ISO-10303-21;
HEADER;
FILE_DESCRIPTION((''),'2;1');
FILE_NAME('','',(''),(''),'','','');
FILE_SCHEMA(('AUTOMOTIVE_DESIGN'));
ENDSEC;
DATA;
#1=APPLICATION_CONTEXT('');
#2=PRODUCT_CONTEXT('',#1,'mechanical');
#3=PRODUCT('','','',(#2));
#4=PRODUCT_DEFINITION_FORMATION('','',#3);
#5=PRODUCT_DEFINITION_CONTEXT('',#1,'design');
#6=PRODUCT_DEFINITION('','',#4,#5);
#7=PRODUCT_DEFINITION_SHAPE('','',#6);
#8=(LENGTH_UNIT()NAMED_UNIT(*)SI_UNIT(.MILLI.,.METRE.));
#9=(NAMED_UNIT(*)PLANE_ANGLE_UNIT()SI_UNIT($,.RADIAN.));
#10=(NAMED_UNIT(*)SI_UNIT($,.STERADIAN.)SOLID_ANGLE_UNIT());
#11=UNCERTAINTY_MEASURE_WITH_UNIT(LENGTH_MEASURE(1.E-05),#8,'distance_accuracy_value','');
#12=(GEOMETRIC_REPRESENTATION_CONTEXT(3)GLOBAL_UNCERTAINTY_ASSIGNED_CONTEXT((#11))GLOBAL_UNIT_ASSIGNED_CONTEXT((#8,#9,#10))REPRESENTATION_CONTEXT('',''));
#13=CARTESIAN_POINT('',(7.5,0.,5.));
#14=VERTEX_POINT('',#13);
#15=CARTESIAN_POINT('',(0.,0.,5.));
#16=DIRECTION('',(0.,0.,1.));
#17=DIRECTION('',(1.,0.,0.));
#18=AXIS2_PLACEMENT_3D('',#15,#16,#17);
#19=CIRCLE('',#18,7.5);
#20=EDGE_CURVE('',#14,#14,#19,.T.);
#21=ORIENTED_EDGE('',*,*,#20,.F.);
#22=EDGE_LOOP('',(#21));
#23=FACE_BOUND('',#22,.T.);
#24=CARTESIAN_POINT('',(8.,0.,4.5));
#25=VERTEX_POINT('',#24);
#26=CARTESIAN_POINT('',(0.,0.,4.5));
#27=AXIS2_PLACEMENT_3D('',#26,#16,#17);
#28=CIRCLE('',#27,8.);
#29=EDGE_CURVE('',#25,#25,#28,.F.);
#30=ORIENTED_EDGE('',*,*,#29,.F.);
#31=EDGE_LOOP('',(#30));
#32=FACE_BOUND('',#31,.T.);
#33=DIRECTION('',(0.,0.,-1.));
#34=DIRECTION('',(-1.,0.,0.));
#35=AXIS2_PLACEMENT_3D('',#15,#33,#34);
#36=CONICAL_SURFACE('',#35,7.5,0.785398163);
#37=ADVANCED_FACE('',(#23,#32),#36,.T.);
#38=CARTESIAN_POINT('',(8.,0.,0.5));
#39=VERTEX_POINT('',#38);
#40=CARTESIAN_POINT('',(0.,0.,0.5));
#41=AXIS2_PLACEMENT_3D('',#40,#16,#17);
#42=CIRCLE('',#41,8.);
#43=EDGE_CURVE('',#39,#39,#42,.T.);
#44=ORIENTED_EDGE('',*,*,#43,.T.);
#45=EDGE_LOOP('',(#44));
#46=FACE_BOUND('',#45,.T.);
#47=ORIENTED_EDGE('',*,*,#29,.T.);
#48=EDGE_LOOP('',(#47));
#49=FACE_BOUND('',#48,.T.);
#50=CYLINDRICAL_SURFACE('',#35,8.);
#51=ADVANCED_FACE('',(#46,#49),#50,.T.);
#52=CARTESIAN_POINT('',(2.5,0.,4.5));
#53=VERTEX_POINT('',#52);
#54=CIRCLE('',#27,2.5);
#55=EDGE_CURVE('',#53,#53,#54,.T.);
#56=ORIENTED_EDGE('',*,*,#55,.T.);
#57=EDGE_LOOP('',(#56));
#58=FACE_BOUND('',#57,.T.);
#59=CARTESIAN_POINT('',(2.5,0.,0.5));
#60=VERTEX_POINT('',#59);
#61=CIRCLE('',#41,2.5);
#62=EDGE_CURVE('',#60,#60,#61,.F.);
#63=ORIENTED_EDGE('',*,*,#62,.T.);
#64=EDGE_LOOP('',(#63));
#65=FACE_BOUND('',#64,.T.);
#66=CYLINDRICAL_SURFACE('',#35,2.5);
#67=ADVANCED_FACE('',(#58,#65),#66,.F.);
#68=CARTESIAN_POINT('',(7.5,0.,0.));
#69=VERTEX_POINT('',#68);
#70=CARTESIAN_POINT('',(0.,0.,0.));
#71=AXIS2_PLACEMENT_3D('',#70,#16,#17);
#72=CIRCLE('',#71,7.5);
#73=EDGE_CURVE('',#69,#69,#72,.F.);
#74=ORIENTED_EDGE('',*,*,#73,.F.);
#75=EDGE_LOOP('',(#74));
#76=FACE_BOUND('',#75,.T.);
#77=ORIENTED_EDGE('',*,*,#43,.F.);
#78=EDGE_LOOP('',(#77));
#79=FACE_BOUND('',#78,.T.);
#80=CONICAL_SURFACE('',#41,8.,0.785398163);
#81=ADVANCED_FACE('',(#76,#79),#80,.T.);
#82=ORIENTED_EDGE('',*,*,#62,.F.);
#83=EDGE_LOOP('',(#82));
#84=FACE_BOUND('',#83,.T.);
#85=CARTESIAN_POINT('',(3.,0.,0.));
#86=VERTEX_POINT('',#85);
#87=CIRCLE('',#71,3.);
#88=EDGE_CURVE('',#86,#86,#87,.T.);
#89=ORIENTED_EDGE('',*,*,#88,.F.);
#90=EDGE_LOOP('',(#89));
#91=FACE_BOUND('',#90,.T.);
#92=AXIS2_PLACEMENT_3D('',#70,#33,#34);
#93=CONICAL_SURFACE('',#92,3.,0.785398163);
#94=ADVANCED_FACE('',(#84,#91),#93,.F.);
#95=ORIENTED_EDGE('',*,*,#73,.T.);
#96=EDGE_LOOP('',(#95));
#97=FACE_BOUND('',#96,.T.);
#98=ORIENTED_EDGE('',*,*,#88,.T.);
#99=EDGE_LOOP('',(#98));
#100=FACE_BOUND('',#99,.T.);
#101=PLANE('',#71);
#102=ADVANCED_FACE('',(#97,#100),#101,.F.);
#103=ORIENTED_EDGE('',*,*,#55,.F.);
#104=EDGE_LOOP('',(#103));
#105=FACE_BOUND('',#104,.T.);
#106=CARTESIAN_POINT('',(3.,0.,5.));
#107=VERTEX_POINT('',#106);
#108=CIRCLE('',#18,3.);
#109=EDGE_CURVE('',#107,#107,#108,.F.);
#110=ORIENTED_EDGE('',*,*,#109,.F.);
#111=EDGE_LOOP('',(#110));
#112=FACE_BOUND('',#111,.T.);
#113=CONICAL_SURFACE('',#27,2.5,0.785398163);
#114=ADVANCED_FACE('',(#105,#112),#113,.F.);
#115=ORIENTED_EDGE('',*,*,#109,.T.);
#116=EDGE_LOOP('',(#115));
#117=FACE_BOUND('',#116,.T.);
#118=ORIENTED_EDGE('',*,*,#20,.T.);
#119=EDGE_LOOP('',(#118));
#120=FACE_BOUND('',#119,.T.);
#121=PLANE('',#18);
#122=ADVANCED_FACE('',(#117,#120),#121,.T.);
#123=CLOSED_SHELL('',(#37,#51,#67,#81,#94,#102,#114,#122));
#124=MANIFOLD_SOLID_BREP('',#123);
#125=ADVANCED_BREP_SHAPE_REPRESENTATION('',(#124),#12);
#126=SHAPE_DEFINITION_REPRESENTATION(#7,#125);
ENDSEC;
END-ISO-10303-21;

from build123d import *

# Parameters (mm, degrees)
ESQUISSE1_R        = 8
ESQUISSE1_R_2      = 2.5
BOSS_EXTRU_1_DEPTH = 5
CHANFREIN1_SIZE    = 0.5


with BuildPart() as part:
    # Esquisse1 → Boss.-Extru.1 (new body)
    with BuildSketch(Plane.XY):
        Circle(ESQUISSE1_R)
        Circle(ESQUISSE1_R_2, mode=Mode.SUBTRACT)
    extrude(amount=BOSS_EXTRU_1_DEPTH)

    # Chanfrein1
    chanfrein1_edges = [part.edges().sort_by_distance(p)[0] for p in [
        (-8, 0, 0),
        (-8, 0, 5),
        (-2.5, 0, 0),
        (-2.5, 0, 5),
    ]]
    chamfer(chanfrein1_edges, length=CHANFREIN1_SIZE)


solid = part.part
